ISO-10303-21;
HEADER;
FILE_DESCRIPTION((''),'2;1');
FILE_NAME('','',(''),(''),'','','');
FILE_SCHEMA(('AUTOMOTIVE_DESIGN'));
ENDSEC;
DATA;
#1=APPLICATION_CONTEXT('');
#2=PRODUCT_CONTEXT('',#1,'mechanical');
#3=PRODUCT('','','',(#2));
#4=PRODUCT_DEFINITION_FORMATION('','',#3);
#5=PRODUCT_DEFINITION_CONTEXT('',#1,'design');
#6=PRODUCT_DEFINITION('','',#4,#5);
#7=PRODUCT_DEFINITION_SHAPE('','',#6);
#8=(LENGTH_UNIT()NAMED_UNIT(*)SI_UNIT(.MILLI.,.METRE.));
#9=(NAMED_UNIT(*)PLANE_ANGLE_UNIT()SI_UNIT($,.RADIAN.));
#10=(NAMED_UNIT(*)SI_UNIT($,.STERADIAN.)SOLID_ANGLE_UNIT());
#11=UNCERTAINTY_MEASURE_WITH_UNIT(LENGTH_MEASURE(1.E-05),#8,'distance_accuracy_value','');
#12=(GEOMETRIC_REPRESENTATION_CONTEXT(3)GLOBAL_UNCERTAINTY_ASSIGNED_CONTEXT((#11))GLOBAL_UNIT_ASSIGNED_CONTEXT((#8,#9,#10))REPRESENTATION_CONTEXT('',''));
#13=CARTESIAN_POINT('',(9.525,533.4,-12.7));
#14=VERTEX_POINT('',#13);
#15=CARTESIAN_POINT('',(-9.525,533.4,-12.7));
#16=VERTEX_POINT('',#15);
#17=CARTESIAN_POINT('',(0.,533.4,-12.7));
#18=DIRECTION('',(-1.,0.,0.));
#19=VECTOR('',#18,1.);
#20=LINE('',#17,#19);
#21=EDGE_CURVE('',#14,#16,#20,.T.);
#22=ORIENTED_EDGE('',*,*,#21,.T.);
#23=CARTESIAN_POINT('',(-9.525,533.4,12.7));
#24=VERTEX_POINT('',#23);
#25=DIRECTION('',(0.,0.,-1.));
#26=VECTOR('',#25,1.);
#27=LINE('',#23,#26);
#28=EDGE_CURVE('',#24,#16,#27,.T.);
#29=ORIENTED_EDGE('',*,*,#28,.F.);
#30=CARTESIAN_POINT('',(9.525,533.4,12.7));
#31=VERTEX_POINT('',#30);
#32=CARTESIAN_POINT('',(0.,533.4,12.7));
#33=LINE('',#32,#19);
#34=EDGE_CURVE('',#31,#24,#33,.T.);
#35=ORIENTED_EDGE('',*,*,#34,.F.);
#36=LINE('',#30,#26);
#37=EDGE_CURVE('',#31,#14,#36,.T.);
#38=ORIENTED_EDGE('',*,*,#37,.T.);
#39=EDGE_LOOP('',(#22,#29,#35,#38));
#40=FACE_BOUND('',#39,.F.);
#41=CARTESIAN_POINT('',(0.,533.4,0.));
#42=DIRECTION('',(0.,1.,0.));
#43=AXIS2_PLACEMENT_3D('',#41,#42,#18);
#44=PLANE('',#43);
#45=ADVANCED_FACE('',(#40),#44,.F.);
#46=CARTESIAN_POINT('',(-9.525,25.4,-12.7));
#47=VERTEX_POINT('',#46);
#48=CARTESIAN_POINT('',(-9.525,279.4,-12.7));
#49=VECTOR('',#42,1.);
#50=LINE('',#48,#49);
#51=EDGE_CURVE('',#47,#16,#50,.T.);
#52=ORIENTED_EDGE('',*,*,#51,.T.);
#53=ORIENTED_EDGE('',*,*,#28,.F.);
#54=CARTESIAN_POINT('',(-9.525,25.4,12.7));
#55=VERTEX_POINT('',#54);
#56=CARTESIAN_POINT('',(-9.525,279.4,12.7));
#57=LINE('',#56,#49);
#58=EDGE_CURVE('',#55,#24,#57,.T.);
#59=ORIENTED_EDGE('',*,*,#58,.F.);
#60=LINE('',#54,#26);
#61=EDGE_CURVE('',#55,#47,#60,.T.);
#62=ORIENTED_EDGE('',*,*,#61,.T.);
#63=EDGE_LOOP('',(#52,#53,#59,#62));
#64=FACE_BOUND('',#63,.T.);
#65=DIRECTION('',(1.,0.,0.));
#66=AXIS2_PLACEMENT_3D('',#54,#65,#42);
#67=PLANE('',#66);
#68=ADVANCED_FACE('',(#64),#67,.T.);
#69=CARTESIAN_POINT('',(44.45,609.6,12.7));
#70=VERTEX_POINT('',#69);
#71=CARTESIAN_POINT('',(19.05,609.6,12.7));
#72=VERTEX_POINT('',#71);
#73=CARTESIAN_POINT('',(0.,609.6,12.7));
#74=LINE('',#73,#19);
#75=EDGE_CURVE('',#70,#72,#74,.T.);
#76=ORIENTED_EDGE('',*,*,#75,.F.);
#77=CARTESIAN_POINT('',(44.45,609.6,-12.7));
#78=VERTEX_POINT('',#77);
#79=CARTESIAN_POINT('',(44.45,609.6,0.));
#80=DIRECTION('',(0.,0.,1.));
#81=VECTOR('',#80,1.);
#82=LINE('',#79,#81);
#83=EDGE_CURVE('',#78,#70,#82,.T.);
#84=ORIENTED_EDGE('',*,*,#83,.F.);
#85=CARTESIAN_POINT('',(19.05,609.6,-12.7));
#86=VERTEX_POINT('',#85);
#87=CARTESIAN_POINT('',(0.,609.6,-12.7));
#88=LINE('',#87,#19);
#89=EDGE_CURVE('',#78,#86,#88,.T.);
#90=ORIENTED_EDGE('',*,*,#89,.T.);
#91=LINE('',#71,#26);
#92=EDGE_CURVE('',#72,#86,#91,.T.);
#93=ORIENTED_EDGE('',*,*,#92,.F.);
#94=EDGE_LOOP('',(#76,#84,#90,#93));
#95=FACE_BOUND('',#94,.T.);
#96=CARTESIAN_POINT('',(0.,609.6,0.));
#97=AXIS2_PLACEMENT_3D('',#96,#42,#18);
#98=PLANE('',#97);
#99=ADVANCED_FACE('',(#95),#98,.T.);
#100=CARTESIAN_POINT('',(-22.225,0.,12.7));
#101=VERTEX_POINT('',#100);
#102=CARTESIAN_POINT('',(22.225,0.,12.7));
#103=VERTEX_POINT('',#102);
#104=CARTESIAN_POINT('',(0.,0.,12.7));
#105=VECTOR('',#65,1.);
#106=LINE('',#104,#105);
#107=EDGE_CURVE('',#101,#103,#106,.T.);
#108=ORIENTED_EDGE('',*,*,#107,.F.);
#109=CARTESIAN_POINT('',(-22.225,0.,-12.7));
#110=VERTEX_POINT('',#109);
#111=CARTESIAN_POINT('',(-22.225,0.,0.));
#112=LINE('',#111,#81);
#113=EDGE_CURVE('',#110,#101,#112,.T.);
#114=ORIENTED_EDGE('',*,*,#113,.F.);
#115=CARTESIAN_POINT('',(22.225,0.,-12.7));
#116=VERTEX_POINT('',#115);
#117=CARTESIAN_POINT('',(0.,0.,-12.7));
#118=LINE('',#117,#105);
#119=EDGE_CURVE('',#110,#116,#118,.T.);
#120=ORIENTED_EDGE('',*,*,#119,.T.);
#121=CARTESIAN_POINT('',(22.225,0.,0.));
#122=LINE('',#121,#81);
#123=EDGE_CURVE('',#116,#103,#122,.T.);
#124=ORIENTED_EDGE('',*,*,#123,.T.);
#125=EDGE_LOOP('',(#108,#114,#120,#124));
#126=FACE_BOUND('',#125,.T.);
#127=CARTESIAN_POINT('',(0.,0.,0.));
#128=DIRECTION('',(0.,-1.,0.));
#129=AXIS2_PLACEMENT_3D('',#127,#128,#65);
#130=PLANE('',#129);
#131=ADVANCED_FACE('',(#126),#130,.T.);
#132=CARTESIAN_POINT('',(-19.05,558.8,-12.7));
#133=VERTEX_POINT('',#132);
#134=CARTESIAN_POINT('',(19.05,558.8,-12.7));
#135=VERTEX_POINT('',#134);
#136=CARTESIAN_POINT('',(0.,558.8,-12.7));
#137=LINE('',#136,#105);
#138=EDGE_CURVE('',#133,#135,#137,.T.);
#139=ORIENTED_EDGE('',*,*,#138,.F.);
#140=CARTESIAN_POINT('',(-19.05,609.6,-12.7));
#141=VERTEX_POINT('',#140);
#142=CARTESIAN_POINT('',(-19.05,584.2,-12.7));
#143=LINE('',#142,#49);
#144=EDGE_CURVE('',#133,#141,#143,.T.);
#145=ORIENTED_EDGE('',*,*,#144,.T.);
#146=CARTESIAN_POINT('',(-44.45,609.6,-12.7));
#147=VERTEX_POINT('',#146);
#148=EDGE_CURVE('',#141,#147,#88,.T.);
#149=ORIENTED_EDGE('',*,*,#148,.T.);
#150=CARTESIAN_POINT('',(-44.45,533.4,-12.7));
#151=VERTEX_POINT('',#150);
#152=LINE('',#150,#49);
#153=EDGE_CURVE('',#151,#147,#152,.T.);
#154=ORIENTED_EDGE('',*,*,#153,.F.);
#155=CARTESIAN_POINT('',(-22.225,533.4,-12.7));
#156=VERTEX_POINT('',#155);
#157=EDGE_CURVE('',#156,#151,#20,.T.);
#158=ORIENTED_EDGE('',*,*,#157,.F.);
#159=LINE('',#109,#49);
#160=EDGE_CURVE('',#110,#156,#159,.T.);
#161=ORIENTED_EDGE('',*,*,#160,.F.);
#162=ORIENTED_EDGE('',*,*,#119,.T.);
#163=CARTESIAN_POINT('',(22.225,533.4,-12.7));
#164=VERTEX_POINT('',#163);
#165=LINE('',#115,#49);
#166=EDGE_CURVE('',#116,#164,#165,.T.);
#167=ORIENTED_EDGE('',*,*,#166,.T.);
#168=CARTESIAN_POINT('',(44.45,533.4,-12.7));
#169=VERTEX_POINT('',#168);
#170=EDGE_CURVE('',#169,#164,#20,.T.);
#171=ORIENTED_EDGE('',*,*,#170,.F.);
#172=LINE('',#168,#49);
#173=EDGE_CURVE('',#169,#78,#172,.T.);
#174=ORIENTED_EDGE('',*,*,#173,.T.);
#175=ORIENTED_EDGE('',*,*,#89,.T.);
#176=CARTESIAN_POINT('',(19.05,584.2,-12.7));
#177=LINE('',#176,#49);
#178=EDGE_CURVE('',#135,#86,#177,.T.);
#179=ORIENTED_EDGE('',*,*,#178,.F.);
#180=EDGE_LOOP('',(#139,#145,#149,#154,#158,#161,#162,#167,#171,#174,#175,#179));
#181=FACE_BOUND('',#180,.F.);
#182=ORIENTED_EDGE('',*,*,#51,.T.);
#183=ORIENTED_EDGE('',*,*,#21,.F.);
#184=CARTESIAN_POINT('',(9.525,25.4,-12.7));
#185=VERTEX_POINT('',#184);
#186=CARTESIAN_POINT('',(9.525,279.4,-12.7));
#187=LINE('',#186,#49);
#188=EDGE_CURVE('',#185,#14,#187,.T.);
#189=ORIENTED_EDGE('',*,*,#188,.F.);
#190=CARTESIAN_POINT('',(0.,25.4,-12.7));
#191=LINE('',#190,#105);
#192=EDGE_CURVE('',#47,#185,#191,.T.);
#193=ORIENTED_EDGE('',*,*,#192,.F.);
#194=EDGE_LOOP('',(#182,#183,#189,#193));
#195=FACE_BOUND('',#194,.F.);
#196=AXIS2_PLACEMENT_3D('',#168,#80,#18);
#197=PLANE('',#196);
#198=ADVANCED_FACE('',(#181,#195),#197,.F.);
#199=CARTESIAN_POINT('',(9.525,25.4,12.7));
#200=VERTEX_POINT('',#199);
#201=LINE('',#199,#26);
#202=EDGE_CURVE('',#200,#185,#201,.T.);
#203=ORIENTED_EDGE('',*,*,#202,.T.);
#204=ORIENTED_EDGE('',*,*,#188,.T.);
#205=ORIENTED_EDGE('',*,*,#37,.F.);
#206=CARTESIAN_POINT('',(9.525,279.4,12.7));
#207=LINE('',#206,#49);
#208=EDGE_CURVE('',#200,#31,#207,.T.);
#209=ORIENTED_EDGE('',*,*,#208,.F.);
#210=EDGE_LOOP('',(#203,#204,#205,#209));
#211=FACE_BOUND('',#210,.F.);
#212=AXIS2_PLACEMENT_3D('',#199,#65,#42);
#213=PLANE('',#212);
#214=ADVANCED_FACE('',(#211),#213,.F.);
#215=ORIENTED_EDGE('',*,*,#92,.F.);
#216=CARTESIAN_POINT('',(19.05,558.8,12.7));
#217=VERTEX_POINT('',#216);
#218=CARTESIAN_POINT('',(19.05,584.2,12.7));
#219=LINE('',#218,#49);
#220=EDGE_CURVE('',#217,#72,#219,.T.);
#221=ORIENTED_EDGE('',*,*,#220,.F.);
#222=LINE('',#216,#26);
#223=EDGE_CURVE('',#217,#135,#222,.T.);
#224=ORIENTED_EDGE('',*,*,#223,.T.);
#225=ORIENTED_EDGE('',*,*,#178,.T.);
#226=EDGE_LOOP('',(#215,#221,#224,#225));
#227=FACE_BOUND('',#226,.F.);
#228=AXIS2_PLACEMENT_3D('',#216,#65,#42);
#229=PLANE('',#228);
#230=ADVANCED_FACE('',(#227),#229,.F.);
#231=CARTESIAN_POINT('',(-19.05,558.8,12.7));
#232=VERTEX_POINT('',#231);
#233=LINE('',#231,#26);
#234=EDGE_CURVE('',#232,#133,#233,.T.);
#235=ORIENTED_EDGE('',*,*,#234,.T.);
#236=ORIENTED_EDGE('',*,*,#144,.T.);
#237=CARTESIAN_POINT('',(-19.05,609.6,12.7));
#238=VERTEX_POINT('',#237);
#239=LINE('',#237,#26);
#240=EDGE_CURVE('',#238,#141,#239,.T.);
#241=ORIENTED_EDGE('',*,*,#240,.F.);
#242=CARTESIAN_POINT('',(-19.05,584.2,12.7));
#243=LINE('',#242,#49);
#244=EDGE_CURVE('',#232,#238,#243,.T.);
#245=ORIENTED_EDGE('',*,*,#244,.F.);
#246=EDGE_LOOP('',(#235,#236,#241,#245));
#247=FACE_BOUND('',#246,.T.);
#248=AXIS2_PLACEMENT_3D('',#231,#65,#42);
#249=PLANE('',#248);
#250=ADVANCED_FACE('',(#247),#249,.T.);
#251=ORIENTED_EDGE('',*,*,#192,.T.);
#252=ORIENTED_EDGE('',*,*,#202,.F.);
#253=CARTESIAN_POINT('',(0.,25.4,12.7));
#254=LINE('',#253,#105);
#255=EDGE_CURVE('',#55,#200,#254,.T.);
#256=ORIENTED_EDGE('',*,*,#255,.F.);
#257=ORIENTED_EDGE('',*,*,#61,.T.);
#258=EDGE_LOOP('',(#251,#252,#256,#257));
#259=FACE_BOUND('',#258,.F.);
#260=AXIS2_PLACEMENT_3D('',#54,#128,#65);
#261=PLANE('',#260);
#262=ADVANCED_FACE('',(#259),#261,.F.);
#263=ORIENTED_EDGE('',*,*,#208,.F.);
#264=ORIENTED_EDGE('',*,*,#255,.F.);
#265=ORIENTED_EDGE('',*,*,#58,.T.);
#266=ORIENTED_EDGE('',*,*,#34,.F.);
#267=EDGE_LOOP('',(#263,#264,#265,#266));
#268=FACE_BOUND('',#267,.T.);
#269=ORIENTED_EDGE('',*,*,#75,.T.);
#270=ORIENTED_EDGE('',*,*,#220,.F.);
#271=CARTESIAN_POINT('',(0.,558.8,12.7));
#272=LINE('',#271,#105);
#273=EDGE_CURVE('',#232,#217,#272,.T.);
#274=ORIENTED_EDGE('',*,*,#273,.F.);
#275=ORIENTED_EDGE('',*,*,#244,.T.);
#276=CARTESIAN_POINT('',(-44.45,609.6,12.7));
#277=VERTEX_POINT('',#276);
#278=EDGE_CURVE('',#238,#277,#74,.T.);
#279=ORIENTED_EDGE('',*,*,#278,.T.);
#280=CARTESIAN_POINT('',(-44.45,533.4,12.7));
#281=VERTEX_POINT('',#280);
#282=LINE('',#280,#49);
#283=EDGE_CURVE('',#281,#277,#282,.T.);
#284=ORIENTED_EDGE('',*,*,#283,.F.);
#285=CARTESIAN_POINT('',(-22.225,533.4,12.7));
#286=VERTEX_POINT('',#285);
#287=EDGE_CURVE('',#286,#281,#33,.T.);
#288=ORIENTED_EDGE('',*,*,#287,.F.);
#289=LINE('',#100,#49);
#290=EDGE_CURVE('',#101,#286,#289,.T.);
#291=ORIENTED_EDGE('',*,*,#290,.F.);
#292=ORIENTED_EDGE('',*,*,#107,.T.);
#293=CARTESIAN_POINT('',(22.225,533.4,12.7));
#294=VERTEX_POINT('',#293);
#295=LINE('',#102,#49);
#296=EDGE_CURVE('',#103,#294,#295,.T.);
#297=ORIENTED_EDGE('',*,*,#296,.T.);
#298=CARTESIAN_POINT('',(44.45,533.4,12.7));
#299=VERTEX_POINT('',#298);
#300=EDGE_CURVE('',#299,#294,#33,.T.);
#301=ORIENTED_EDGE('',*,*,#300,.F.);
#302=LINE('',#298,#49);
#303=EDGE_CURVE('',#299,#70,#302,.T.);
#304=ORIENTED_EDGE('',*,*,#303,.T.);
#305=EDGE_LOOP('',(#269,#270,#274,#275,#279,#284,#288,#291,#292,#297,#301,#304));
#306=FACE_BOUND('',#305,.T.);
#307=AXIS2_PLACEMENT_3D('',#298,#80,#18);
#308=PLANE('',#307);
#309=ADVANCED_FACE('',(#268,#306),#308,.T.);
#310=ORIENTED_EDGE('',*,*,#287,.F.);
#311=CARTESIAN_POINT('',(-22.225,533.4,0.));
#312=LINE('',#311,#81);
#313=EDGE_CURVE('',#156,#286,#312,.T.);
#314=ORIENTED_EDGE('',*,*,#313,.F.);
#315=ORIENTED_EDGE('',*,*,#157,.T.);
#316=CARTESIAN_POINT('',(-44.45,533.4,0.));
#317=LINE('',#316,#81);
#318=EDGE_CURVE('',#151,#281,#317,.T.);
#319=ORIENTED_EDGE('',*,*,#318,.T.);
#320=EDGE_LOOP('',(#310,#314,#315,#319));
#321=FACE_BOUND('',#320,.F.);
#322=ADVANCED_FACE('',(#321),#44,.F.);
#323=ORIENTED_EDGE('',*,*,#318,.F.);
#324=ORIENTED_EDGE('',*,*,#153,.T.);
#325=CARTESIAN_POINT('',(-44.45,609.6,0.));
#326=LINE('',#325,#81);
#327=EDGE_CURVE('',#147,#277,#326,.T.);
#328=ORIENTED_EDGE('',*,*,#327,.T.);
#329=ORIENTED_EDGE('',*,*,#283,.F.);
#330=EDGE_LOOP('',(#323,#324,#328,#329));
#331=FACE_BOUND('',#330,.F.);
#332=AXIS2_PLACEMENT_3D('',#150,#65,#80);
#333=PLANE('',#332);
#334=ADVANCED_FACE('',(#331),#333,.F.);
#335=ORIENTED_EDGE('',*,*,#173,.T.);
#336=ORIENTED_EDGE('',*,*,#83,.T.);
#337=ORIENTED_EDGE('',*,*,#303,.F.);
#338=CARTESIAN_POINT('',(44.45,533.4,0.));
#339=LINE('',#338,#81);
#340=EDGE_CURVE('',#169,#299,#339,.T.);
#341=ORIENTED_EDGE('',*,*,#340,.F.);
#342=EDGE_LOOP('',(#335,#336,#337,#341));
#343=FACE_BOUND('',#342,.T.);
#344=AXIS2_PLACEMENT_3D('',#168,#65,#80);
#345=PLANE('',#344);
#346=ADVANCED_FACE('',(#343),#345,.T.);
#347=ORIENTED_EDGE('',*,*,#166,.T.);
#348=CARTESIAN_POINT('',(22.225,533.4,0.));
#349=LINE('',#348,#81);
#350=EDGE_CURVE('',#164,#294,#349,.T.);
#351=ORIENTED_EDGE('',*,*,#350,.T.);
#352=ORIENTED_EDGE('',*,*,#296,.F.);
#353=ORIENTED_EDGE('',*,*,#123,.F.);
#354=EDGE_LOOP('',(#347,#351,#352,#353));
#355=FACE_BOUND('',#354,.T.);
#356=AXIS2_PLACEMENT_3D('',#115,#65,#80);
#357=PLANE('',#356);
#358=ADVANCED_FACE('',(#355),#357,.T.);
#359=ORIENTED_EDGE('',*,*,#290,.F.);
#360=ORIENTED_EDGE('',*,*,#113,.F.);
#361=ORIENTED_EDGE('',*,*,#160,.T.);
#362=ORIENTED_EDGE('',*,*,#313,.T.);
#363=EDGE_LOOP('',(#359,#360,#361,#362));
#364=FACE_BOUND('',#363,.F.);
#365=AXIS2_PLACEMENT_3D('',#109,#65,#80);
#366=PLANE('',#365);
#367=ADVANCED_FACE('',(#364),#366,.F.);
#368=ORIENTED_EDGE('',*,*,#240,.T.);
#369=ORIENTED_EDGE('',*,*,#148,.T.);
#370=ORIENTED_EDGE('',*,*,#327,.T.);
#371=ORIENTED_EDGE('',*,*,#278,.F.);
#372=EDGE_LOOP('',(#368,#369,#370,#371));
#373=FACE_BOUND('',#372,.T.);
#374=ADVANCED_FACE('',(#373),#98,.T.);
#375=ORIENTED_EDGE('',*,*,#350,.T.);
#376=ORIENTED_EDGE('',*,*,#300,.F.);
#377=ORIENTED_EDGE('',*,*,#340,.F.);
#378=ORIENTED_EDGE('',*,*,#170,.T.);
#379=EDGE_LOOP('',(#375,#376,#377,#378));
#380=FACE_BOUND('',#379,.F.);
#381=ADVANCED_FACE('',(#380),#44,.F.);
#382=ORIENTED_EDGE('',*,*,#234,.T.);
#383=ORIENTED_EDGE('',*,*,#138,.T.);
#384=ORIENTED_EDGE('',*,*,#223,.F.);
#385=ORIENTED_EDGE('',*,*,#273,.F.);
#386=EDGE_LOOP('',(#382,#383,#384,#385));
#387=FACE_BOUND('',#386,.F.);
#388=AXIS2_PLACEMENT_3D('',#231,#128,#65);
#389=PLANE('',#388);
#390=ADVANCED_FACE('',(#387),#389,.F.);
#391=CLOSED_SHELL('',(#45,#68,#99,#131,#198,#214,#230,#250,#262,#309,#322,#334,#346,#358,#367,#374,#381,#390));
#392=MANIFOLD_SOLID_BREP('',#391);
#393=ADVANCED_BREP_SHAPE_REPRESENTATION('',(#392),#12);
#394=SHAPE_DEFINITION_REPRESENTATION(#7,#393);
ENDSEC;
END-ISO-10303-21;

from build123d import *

# Parameters (mm, degrees)
F0_W     = 44.45
F0_H     = 25.4
F1_DEPTH = 533.4
F2_W     = 19.05
F2_H     = 508
F3_DEPTH = 25.4
F4_W     = 88.9
F4_H     = 25.4
F5_DEPTH = 76.2
F6_W     = 38.1
F6_H     = 50.8
F7_DEPTH = 25.4


with BuildPart() as f1:
    # F0 (on Front) → F1 (new body)
    with BuildSketch(Plane.XZ):
        Rectangle(F0_W, F0_H)
    extrude(amount=-F1_DEPTH)

    # F2 (on face) → F3 (cut)
    with BuildSketch(Plane.XY.offset(12.7)):
        with Locations((0, 279.4)):
            Rectangle(F2_W, F2_H)
    extrude(amount=-F3_DEPTH, mode=Mode.SUBTRACT)

    # F4 (on face) → F5 (join)
    with BuildSketch(Plane(origin=(0, 533.4, 0), x_dir=(-1, 0, 0), z_dir=(0, 1, 0))):
        Rectangle(F4_W, F4_H)
    extrude(amount=F5_DEPTH)

    # F6 (on face) → F7 (cut)
    with BuildSketch(Plane.XY.offset(12.7)):
        with Locations((0, 584.2)):
            Rectangle(F6_W, F6_H)
    extrude(amount=-F7_DEPTH, mode=Mode.SUBTRACT)


solid = f1.part
